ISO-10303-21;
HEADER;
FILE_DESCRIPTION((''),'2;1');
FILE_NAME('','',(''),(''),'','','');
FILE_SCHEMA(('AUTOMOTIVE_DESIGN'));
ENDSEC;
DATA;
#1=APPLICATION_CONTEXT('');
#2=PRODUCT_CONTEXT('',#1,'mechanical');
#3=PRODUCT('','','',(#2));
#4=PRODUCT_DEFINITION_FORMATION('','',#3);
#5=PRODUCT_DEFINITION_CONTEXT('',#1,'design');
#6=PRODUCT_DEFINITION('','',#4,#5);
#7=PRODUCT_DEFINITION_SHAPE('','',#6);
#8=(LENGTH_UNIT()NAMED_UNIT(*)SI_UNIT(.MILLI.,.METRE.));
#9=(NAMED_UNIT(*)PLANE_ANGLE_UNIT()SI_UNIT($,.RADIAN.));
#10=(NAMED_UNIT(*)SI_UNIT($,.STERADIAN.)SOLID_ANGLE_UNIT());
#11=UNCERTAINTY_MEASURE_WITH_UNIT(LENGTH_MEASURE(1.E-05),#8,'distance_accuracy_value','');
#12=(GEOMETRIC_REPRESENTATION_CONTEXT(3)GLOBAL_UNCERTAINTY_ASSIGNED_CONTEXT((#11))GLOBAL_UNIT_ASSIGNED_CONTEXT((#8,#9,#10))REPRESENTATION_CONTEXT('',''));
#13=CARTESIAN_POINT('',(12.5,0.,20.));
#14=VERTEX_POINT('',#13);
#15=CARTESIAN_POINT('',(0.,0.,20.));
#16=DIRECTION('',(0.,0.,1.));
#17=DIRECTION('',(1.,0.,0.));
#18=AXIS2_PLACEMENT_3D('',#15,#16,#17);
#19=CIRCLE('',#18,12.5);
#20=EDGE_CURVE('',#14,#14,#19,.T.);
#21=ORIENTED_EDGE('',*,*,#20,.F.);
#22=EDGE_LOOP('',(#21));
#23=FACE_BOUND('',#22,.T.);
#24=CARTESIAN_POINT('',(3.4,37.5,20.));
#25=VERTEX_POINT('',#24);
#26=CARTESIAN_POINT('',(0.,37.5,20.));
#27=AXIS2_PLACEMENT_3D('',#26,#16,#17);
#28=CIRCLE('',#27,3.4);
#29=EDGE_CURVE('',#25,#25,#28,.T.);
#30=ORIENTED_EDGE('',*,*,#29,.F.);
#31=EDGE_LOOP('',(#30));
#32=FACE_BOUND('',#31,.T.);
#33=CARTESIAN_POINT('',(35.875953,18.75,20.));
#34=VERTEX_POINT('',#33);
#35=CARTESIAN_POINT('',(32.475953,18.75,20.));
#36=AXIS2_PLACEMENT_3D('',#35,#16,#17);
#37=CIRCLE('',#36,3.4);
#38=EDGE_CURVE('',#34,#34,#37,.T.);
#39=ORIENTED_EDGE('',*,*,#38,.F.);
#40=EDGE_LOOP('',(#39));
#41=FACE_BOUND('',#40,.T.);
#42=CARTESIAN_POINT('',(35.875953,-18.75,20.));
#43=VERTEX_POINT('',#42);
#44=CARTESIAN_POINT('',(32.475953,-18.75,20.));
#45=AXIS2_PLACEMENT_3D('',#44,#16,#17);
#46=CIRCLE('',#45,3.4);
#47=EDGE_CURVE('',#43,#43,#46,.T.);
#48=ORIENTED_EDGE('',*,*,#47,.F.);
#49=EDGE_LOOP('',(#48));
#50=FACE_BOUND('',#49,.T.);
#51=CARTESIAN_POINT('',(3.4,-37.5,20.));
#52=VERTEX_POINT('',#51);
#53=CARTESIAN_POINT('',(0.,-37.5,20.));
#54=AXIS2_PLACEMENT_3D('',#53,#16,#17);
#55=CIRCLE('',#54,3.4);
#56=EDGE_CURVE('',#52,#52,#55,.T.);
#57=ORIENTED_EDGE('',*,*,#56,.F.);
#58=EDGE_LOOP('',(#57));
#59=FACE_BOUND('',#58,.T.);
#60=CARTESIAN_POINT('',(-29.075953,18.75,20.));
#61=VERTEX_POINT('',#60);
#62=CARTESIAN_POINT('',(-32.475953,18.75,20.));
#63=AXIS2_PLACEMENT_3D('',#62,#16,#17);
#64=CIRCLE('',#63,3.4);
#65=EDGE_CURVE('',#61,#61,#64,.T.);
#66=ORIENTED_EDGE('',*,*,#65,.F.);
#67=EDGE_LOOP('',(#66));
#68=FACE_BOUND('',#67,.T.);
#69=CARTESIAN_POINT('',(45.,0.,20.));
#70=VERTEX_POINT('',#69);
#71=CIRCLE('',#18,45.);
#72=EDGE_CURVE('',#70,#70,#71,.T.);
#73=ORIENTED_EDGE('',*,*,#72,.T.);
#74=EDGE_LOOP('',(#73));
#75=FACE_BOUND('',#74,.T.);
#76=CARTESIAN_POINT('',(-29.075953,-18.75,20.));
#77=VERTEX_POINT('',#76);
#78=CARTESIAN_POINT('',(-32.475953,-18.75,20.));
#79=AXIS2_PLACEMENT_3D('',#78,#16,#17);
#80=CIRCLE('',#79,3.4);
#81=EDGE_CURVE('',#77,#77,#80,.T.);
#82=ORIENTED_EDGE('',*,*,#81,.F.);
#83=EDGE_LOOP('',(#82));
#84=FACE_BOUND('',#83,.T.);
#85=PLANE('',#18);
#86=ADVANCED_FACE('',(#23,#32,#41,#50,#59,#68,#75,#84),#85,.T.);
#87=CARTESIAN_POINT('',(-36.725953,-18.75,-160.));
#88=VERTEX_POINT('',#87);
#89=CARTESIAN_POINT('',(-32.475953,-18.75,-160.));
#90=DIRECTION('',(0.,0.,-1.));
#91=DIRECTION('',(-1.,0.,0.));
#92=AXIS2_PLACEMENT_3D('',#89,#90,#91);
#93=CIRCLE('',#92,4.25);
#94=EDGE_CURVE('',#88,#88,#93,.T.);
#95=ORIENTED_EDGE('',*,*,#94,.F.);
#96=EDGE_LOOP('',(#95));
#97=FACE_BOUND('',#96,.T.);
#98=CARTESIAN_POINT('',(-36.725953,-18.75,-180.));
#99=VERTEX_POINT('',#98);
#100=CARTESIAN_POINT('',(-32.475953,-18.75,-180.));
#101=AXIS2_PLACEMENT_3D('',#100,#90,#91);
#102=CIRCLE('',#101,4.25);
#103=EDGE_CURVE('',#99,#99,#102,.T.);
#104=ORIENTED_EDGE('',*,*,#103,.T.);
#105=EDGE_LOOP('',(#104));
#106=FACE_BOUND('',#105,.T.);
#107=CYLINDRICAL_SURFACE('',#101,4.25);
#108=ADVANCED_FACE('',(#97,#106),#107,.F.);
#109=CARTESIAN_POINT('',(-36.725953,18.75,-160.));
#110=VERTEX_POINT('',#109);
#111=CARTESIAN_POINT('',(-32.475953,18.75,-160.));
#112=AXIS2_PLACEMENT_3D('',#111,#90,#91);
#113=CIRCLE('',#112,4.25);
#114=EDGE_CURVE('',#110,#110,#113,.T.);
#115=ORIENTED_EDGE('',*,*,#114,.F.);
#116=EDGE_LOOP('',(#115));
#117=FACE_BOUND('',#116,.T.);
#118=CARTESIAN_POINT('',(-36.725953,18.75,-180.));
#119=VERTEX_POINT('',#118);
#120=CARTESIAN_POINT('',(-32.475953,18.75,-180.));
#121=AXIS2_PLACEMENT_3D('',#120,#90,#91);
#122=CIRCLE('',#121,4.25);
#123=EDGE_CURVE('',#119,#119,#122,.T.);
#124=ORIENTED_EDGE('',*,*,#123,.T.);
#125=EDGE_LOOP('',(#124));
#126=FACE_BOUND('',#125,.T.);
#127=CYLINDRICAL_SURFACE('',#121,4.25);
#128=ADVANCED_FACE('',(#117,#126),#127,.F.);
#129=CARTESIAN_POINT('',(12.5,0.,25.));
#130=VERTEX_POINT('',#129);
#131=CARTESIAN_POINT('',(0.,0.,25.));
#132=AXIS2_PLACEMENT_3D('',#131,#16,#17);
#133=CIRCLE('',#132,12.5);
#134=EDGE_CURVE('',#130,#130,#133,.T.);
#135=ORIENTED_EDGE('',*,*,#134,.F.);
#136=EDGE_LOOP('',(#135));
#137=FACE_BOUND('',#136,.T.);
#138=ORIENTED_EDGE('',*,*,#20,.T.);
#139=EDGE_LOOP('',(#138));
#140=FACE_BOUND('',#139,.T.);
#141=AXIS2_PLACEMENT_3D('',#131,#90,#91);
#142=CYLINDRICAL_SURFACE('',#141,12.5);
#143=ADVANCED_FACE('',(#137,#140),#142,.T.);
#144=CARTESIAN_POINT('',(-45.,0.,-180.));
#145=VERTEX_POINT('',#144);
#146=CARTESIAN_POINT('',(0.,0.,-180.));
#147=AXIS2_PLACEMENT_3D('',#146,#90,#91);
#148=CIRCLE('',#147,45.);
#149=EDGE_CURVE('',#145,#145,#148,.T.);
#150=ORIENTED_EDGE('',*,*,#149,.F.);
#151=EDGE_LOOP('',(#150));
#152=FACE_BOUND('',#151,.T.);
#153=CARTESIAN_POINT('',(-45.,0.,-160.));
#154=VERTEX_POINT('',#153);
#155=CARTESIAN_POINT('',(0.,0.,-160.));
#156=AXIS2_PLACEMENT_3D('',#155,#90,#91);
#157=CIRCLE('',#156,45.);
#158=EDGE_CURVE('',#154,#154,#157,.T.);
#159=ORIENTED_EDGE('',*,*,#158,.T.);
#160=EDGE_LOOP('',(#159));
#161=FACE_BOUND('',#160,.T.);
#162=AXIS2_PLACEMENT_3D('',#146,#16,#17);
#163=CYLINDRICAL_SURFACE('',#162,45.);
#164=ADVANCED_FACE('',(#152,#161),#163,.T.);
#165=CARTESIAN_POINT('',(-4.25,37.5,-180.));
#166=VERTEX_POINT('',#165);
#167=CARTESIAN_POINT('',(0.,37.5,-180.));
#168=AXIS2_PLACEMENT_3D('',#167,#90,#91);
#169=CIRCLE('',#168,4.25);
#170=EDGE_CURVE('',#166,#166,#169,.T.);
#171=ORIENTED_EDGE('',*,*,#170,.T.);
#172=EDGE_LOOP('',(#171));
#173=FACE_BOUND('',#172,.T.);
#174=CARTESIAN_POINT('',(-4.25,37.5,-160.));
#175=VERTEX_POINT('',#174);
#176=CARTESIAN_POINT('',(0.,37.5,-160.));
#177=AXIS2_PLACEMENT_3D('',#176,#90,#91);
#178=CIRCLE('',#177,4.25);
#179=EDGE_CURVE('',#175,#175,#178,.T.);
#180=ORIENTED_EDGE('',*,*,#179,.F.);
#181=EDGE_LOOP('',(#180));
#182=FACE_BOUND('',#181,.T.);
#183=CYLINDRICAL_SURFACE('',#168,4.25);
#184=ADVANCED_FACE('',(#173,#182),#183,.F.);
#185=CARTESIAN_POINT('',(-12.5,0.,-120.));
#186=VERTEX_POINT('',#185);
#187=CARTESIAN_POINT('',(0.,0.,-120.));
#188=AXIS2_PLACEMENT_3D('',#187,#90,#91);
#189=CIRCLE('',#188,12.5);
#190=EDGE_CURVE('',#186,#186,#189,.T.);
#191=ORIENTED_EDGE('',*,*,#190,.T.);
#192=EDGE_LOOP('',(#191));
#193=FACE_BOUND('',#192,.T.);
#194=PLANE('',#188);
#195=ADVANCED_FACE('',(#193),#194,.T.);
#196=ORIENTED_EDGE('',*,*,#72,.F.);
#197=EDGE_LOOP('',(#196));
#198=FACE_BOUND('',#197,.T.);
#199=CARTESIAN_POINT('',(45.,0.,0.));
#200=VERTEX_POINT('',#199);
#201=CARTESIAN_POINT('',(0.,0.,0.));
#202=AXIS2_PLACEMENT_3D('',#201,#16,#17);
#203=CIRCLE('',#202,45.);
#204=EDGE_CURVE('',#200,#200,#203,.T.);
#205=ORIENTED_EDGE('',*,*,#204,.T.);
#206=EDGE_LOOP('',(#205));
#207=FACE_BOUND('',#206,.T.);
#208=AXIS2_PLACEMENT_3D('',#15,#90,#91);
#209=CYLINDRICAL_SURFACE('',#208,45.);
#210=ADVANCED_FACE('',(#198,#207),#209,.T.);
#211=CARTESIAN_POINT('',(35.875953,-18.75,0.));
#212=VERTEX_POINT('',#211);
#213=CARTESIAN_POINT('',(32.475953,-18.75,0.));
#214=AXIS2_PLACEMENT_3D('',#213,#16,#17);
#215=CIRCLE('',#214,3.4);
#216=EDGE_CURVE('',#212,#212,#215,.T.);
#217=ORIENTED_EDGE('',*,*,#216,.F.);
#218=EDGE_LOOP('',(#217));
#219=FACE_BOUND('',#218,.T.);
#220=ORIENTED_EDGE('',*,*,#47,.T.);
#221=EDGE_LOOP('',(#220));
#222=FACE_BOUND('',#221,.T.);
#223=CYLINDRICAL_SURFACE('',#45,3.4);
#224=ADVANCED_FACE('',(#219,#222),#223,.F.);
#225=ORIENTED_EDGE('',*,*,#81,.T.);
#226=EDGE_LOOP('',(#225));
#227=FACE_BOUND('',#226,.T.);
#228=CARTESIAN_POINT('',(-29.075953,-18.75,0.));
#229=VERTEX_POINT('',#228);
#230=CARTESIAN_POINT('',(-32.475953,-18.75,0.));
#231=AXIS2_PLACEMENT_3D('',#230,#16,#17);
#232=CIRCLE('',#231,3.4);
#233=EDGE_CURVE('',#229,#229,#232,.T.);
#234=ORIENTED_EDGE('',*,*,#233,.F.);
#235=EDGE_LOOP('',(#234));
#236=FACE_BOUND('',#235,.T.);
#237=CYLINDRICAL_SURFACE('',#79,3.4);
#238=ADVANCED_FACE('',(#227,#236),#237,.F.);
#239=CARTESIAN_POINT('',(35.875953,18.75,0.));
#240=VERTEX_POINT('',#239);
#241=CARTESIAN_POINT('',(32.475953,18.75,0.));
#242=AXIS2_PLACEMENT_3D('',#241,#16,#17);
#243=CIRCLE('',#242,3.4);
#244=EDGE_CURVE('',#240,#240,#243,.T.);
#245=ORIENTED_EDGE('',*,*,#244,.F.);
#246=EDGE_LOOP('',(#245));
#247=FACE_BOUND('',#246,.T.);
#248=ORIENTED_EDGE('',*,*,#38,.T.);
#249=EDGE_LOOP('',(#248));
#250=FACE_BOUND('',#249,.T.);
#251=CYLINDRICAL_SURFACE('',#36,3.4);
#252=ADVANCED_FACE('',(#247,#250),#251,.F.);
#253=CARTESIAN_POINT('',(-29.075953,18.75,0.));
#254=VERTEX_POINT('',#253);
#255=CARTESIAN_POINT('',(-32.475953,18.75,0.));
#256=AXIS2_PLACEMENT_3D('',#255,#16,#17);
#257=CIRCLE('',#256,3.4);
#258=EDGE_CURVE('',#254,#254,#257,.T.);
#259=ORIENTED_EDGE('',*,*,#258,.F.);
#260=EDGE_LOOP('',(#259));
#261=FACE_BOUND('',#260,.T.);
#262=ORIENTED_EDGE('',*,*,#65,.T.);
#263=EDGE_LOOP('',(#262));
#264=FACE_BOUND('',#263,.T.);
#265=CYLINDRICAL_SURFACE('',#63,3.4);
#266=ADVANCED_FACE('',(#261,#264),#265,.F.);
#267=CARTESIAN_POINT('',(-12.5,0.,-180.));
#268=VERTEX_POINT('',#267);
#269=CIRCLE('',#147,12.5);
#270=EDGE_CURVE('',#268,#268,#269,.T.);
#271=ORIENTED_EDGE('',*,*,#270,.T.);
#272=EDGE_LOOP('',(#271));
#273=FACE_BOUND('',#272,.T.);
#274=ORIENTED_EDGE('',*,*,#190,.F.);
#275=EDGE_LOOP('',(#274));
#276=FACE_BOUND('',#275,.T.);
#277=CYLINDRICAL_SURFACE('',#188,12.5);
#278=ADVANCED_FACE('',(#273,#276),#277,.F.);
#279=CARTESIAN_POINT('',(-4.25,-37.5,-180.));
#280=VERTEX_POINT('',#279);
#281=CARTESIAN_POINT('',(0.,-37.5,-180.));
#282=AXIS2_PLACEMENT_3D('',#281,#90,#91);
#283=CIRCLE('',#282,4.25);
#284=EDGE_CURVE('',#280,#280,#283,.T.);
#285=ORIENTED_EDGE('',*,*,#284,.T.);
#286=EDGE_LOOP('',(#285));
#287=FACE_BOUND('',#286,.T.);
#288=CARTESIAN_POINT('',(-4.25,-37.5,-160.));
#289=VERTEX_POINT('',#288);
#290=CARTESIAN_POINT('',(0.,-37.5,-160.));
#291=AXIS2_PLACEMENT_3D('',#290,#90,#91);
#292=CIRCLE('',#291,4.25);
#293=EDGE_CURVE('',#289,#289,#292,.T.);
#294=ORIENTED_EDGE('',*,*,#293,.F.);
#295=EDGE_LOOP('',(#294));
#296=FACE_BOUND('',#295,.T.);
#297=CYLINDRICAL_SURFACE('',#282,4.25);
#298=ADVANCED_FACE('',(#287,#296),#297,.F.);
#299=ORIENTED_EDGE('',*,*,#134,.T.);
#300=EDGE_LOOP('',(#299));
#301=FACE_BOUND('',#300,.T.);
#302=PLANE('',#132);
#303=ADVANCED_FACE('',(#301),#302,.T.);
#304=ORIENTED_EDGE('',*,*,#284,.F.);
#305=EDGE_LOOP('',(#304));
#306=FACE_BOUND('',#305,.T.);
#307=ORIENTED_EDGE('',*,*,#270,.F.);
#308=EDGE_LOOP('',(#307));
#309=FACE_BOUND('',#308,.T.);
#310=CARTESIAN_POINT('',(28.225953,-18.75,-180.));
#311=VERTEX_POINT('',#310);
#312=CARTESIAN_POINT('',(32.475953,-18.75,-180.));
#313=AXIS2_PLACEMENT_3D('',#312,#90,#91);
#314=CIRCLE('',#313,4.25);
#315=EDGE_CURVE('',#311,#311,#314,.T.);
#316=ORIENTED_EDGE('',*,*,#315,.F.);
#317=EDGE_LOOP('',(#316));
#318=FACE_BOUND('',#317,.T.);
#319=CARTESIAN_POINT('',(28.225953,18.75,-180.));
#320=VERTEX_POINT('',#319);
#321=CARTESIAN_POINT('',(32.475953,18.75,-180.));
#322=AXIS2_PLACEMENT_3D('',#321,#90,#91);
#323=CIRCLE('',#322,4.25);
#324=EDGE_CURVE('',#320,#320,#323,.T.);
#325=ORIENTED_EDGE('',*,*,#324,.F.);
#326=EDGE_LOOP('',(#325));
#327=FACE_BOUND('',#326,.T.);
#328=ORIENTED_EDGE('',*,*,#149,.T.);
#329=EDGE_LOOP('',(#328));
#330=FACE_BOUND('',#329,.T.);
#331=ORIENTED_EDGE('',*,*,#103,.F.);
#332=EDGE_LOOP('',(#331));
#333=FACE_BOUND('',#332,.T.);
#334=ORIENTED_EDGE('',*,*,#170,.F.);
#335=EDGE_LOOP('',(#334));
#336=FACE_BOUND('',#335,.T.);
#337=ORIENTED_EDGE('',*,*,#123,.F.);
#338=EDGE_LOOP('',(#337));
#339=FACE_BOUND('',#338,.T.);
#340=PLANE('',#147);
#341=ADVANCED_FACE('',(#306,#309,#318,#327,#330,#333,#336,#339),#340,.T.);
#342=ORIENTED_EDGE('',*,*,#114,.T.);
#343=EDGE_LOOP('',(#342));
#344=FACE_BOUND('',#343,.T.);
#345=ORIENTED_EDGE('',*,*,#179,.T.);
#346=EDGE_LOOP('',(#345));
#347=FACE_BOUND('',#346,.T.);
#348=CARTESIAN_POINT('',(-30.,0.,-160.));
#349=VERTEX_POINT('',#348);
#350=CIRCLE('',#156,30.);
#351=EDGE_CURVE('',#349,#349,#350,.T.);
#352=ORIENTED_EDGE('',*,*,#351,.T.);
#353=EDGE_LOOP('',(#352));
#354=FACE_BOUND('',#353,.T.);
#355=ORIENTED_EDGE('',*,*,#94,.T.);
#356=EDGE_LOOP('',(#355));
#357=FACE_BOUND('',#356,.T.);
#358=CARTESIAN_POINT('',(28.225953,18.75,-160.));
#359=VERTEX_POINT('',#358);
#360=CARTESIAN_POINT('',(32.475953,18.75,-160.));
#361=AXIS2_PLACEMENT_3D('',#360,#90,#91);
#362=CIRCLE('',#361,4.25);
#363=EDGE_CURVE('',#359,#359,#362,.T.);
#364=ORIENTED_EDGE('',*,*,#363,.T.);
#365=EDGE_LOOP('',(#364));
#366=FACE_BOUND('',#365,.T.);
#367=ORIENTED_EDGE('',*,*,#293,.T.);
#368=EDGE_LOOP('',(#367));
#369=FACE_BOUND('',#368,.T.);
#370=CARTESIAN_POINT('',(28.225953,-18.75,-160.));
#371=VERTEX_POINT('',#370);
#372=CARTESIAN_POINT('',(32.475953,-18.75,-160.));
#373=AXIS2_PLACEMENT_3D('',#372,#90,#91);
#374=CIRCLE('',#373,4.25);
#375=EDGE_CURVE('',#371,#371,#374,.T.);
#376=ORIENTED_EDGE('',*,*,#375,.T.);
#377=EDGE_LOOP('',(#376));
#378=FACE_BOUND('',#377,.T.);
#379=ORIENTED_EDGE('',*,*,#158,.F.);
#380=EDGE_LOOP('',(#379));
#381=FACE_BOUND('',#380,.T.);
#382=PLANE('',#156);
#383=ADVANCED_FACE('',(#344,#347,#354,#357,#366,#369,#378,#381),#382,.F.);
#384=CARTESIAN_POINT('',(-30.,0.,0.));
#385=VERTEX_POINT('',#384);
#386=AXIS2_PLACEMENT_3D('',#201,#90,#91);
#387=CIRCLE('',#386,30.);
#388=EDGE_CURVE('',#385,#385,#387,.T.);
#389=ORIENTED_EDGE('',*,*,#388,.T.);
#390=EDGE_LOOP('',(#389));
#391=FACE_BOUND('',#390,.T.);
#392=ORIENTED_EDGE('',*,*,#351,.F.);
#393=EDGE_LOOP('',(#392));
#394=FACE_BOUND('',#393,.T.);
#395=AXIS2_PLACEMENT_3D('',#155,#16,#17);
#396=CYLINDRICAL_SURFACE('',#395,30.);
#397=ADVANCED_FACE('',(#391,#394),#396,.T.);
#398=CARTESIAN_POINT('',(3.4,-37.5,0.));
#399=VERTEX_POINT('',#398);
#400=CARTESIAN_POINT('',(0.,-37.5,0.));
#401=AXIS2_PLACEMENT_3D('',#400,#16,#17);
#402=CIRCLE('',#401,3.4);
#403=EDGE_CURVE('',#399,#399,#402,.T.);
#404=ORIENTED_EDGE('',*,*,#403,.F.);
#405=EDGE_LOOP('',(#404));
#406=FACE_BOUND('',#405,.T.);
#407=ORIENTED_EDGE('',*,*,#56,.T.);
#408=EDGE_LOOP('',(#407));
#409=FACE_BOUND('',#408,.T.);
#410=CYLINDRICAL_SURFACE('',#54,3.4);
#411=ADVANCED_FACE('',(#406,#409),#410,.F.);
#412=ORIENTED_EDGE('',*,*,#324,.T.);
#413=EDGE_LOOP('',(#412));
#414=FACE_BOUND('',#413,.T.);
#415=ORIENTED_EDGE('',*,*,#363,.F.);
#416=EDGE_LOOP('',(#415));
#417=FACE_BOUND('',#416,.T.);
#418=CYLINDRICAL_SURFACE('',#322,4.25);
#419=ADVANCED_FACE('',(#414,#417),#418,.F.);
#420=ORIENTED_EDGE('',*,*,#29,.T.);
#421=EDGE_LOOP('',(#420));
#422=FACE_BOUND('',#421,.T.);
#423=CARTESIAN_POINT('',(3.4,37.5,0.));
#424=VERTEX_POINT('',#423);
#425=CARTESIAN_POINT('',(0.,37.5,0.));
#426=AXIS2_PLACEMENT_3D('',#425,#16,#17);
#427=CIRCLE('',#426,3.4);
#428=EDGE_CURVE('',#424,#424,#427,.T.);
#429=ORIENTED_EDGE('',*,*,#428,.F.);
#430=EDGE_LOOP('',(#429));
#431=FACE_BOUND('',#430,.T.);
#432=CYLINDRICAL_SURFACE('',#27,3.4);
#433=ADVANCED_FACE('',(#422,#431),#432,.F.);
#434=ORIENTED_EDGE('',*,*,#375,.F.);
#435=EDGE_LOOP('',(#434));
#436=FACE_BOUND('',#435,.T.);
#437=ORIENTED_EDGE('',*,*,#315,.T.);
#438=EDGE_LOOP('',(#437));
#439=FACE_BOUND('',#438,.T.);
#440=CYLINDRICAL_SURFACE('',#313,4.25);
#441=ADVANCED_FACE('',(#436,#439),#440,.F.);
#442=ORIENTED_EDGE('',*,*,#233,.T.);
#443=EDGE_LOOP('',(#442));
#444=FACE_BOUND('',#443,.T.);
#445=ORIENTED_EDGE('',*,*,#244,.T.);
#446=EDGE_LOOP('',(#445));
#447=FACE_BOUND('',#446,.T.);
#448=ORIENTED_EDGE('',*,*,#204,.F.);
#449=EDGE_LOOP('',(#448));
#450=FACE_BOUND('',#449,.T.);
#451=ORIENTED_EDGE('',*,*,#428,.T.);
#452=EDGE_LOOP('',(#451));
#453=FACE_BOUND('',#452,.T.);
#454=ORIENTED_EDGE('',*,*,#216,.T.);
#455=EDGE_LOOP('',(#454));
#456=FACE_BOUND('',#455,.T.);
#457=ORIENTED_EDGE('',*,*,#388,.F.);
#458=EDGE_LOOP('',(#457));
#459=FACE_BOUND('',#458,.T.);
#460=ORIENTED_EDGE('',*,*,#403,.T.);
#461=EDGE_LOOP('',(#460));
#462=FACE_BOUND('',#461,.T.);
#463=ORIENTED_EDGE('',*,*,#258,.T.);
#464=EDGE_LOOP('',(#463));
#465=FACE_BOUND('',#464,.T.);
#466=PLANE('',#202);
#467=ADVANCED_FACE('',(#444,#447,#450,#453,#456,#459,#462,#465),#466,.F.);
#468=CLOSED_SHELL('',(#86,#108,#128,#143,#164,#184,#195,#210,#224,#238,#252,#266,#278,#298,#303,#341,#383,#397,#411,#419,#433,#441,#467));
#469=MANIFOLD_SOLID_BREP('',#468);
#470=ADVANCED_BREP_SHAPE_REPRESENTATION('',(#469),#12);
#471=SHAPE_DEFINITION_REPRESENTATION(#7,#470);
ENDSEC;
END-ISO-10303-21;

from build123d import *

# Parameters (mm, degrees)
SKETCH1_R                      = 45
BOSS_EXTRUDE1_DEPTH            = 20
SKETCH2_R                      = 30
BOSS_EXTRUDE2_DEPTH            = 160
SKETCH3_R                      = 45
BOSS_EXTRUDE3_DEPTH            = 20
SKETCH4_R                      = 12.5
BOSS_EXTRUDE4_DEPTH            = 5
M8X1_25_TAPPED_HOLE1_REACH     = 202
M8X1_25_TAPPED_HOLE1_BORE_R    = 3.4
CIRPATTERN1_COUNT              = 6
F_8_5_8_5_DIAMETER_HOLE1_D     = 8.5
F_8_5_8_5_DIAMETER_HOLE1_DEPTH = 20.001
CIRPATTERN2_COUNT              = 6
SKETCH11_R                     = 12.5
CUT_EXTRUDE1_DEPTH             = 60


with BuildPart() as part:
    # Sketch1 → Boss-Extrude1 (new body)
    with BuildSketch(Plane.XY):
        Circle(SKETCH1_R)
    extrude(amount=BOSS_EXTRUDE1_DEPTH)

    # Sketch2 → Boss-Extrude2 (add)
    with BuildSketch(Plane(origin=(0, 0, 0), x_dir=(-1, 0, 0), z_dir=(0, 0, -1))):
        Circle(SKETCH2_R)
    extrude(amount=BOSS_EXTRUDE2_DEPTH)

    # Sketch3 → Boss-Extrude3 (add)
    with BuildSketch(Plane(origin=(0, 0, -160), x_dir=(-1, 0, 0), z_dir=(0, 0, -1))):
        with Locations(Location((0, 0, 0), (0, 0, 180))):  # turned: the seam where the file's is
            Circle(SKETCH3_R)
    extrude(amount=BOSS_EXTRUDE3_DEPTH)

    # Sketch4 → Boss-Extrude4 (add)
    with BuildSketch(Plane.XY.offset(20)):
        Circle(SKETCH4_R)
    extrude(amount=BOSS_EXTRUDE4_DEPTH)

    # M8x1.25 Tapped Hole1 bore → M8x1.25 Tapped Hole1 (cut, up to next)
    with BuildSketch(Plane.XY.offset(20), mode=Mode.PRIVATE) as m8x1_25_tapped_hole1_sk1:
        with Locations((0, 37.5)):
            Circle(M8X1_25_TAPPED_HOLE1_BORE_R)
    m8x1_25_tapped_hole1_tool1 = extrude(m8x1_25_tapped_hole1_sk1.sketch, amount=-M8X1_25_TAPPED_HOLE1_REACH, mode=Mode.PRIVATE) & part.part
    m8x1_25_tapped_hole1 = m8x1_25_tapped_hole1_tool1.solids().sort_by_distance((0, 37.5, 20))[0]
    add(m8x1_25_tapped_hole1, mode=Mode.SUBTRACT)

    # CirPattern1: M8x1.25 Tapped Hole1 ×6 about axis
    cirpattern1_axis = Axis((0, 0, 0), (0, 0, 1))
    for i in range(1, CIRPATTERN1_COUNT):
        add(m8x1_25_tapped_hole1.rotate(cirpattern1_axis, i * 360 / CIRPATTERN1_COUNT), mode=Mode.SUBTRACT)

    # Ø8.5 (8.5) Diameter Hole1
    with Locations(Plane(origin=(0, 0, -180), x_dir=(-1, 0, 0), z_dir=(0, 0, -1))):
        with Locations((0, 37.5)):
            f_8_5_8_5_diameter_hole1 = Hole(F_8_5_8_5_DIAMETER_HOLE1_D / 2, depth=F_8_5_8_5_DIAMETER_HOLE1_DEPTH)

    # CirPattern2: Ø8.5 (8.5) Diameter Hole1 ×6 about axis
    cirpattern2_axis = Axis((0, 0, 0), (0, 0, 1))
    for i in range(1, CIRPATTERN2_COUNT):
        add(f_8_5_8_5_diameter_hole1.rotate(cirpattern2_axis, i * 360 / CIRPATTERN2_COUNT), mode=Mode.SUBTRACT)

    # Sketch11 → Cut-Extrude1 (cut)
    with BuildSketch(Plane(origin=(0, 0, -180), x_dir=(-1, 0, 0), z_dir=(0, 0, -1))):
        with Locations(Location((0, 0, 0), (0, 0, 180))):  # turned: the seam where the file's is
            Circle(SKETCH11_R)
    extrude(amount=-CUT_EXTRUDE1_DEPTH, mode=Mode.SUBTRACT)


solid = part.part
